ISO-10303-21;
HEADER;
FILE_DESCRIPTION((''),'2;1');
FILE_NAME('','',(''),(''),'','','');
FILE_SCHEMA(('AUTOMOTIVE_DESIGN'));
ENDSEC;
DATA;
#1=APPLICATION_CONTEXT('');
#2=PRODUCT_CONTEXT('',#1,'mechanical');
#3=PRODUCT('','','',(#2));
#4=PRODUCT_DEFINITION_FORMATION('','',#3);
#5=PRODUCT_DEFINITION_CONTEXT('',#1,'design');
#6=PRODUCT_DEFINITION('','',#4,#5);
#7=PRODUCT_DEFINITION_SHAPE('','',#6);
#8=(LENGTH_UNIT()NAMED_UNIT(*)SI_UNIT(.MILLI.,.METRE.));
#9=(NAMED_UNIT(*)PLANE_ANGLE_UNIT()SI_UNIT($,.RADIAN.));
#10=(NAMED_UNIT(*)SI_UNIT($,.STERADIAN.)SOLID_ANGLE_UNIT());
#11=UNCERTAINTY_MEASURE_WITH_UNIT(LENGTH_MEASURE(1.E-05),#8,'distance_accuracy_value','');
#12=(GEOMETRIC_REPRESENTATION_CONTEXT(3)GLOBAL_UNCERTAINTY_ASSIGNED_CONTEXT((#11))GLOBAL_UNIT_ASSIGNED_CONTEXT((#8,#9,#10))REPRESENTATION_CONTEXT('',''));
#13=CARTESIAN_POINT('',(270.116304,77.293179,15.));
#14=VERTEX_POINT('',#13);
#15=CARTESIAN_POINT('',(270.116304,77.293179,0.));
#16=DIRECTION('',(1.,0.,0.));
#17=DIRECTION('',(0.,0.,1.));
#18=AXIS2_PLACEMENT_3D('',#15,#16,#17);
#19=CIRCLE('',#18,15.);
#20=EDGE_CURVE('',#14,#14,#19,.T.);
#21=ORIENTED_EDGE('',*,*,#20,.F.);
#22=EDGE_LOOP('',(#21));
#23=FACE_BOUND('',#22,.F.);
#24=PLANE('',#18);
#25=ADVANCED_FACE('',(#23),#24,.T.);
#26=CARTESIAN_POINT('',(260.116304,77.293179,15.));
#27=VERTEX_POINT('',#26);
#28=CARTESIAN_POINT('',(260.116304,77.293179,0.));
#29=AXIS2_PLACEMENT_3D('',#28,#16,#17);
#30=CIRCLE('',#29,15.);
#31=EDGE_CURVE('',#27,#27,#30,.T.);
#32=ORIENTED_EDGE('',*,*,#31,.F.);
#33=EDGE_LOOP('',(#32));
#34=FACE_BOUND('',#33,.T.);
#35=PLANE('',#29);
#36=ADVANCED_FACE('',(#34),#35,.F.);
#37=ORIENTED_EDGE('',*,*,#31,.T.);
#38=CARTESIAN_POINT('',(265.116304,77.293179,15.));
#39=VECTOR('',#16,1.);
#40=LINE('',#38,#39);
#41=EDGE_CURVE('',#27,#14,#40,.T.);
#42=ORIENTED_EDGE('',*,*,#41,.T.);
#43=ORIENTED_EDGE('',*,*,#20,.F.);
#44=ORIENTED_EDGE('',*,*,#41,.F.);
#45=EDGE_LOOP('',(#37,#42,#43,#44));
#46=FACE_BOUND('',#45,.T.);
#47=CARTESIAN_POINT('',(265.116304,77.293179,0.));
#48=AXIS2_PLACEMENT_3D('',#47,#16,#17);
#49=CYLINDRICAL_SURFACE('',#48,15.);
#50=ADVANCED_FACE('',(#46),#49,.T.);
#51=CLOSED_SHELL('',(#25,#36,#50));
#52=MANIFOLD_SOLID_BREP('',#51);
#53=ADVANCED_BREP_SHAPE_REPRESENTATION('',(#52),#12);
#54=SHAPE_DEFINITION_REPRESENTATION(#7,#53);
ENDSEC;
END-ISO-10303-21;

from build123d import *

# Parameters (mm, degrees)
SKETCH_1_W = 10
SKETCH_1_H = 15


with BuildPart() as part:
    # 草图1 → 旋转1 (revolve)
    with BuildSketch(Plane.XY, mode=Mode.PRIVATE) as revolve_1_sk:
        with Locations((265.116303666, 84.793179349)):
            Rectangle(SKETCH_1_W, SKETCH_1_H)
    revolve(revolve_1_sk.sketch.rotate(Axis((254.000801993, 77.293179349, 0), (1, 0, 0)), 90), axis=Axis((254.000801993, 77.293179349, 0), (1, 0, 0)))  # turned: the seam where the file's is


solid = part.part
